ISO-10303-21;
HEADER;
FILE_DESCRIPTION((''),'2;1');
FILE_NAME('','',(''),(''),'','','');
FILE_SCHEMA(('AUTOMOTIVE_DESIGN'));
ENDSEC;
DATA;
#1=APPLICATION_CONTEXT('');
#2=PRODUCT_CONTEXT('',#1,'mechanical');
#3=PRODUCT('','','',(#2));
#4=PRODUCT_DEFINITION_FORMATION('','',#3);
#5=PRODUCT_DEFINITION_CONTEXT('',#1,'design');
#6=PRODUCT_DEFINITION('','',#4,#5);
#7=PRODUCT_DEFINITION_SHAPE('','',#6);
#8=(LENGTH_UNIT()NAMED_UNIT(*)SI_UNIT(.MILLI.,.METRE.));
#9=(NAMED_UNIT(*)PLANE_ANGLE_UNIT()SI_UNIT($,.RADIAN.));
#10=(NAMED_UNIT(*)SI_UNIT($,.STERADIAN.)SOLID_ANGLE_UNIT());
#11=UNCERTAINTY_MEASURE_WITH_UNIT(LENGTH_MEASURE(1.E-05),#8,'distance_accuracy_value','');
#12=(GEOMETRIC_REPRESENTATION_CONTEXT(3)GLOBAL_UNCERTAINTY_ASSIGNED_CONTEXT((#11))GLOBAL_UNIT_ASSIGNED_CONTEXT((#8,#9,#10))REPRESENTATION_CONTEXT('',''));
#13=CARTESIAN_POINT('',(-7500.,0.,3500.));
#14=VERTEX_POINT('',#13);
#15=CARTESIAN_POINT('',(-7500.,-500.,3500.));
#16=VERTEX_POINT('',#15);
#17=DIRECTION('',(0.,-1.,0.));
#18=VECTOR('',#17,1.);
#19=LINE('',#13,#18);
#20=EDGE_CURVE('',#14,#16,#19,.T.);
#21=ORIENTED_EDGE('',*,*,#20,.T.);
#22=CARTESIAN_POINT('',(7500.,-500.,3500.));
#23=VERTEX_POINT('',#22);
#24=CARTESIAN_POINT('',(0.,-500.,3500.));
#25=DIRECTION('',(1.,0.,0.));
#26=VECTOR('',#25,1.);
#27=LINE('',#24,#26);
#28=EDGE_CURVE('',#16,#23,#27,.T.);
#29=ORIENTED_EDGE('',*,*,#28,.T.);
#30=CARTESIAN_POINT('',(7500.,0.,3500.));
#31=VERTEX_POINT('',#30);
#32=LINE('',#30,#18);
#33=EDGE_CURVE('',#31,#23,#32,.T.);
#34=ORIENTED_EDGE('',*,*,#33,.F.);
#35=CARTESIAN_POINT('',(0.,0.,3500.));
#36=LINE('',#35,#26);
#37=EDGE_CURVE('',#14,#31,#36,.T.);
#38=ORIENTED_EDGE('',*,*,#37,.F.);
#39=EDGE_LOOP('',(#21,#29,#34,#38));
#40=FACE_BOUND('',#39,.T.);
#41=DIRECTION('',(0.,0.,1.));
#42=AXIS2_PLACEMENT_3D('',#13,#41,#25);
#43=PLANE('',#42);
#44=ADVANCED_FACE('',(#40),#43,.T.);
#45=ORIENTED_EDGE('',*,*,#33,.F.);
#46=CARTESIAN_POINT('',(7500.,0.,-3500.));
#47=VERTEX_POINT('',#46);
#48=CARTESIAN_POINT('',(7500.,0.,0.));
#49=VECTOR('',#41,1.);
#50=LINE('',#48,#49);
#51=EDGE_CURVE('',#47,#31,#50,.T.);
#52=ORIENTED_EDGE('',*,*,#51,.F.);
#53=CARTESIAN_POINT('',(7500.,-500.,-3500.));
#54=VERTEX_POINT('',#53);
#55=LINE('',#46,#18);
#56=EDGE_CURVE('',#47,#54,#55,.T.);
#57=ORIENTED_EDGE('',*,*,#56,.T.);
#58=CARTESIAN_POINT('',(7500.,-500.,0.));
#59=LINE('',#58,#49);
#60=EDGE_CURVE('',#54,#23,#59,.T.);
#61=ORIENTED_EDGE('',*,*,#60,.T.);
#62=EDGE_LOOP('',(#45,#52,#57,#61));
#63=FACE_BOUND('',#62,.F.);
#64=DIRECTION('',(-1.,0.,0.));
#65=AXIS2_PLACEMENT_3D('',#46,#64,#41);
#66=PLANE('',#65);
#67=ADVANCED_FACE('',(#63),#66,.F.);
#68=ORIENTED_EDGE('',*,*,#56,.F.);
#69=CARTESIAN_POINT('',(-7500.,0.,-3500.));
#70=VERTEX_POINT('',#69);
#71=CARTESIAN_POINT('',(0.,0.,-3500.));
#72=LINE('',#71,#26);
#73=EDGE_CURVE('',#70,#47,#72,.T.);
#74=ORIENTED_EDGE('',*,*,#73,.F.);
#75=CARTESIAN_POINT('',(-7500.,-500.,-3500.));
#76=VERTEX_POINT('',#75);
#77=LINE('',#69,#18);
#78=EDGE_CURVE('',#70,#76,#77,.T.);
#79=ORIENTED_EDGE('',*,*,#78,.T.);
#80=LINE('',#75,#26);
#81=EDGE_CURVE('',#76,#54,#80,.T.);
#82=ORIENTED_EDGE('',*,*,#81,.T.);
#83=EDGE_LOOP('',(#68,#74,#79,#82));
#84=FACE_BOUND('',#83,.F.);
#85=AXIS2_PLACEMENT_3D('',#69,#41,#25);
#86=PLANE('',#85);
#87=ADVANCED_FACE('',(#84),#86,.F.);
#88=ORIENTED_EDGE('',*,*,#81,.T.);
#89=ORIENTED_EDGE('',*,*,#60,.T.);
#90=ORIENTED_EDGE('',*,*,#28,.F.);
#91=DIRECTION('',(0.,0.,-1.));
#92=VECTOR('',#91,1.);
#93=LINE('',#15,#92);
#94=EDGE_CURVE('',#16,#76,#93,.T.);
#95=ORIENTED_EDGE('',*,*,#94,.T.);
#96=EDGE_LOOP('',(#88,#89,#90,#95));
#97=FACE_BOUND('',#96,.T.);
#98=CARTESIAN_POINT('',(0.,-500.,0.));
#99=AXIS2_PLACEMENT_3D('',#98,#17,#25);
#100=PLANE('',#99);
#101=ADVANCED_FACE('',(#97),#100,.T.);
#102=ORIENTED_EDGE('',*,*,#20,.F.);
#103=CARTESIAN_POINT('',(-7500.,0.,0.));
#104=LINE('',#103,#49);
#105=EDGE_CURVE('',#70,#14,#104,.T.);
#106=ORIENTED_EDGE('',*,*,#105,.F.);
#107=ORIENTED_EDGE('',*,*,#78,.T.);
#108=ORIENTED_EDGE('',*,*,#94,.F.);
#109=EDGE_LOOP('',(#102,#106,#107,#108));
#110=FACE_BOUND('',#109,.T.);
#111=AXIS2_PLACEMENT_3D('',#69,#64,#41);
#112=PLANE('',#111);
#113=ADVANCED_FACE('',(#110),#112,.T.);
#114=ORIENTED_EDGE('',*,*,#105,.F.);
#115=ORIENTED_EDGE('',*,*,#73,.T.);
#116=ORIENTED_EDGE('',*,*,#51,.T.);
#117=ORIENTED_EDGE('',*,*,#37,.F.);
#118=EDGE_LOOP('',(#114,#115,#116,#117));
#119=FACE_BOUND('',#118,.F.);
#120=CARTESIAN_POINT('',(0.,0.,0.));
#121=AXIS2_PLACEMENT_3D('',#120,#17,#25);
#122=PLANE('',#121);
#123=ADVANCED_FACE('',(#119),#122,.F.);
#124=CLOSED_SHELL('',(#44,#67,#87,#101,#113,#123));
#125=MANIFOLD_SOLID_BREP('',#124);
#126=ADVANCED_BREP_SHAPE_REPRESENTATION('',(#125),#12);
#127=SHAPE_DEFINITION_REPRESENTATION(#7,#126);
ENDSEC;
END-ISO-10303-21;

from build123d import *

# Parameters (mm, degrees)
F0_W     = 15000
F0_H     = 7000
F1_DEPTH = 500
F2_W     = 480
F2_H     = 20
F2_H_2   = 27.3
F2_W_2   = 10
F2_H_3   = 486.35
F2_H_4   = 482.7
F2_W_3   = 20
F3_DEPTH = 300


with BuildPart() as f1:
    # F0 (on Front) → F1 (new body)
    with BuildSketch(Plane.XZ):
        Rectangle(F0_W, F0_H)
    extrude(amount=F1_DEPTH)

    # F2 (on face) → F3 (join)
    with BuildSketch(Plane.XZ.offset(500)):
        with Locations((-7250, 3014.6)):
            Rectangle(F2_W, F2_H)
        with Locations((-7250, 2510.95)):
            Rectangle(F2_W, F2_H)
        with Locations((-7250, 2010.95)):
            Rectangle(F2_W, F2_H_2)
        with Locations((-7250, 1510.95)):
            Rectangle(F2_W, F2_H)
        with Locations((-7250, 1007.3)):
            Rectangle(F2_W, F2_H)
        with Locations((-7250, 503.65)):
            Rectangle(F2_W, F2_H)
        with Locations((-7250, 0)):
            Rectangle(F2_W, F2_H)
        with Locations((-7250, -496.35)):
            Rectangle(F2_W, F2_H)
        with Locations((-7250, -992.7)):
            Rectangle(F2_W, F2_H)
        with Locations((-7250, -1496.35)):
            Rectangle(F2_W, F2_H)
        with Locations((-7250, -2000)):
            Rectangle(F2_W, F2_H)
        with Locations((-7250, -2503.65)):
            Rectangle(F2_W, F2_H)
        with Locations((-7495, -2756.825)):
            Rectangle(F2_W_2, F2_H_3)
        with Locations((-7495, -3258.65)):
            Rectangle(F2_W_2, F2_H_4)
        with Locations((-7000, -3258.65)):
            Rectangle(F2_W_3, F2_H_4)
        with Locations((-7000, -2756.825)):
            Rectangle(F2_W_3, F2_H_3)
        with Locations((-6750, -2503.65)):
            Rectangle(F2_W, F2_H)
        with Locations((-6750, -2000)):
            Rectangle(F2_W, F2_H)
        with Locations((-6750, -1496.35)):
            Rectangle(F2_W, F2_H)
        with Locations((-6750, -992.7)):
            Rectangle(F2_W, F2_H)
        with Locations((-6750, -496.35)):
            Rectangle(F2_W, F2_H)
        with Locations((-6750, 0)):
            Rectangle(F2_W, F2_H)
        with Locations((-6750, 503.65)):
            Rectangle(F2_W, F2_H)
        with Locations((-6750, 1007.3)):
            Rectangle(F2_W, F2_H)
        with Locations((-6750, 1510.95)):
            Rectangle(F2_W, F2_H)
        with Locations((-6750, 2010.95)):
            Rectangle(F2_W, F2_H_2)
        with Locations((-6750, 2510.95)):
            Rectangle(F2_W, F2_H)
        with Locations((-6250, 3014.6)):
            Rectangle(F2_W, F2_H)
        with Locations((-6250, 2510.95)):
            Rectangle(F2_W, F2_H)
        with Locations((-6250, 2010.95)):
            Rectangle(F2_W, F2_H_2)
        with Locations((-6250, 1510.95)):
            Rectangle(F2_W, F2_H)
        with Locations((-6250, 1007.3)):
            Rectangle(F2_W, F2_H)
        with Locations((-6250, 503.65)):
            Rectangle(F2_W, F2_H)
        with Locations((-6250, 0)):
            Rectangle(F2_W, F2_H)
        with Locations((-6250, -496.35)):
            Rectangle(F2_W, F2_H)
        with Locations((-250, -496.35)):
            Rectangle(F2_W, F2_H)
        with Locations((250, -496.35)):
            Rectangle(F2_W, F2_H)
        with Locations((250, 0)):
            Rectangle(F2_W, F2_H)
        with Locations((-250, 0)):
            Rectangle(F2_W, F2_H)
        with Locations((-6250, -992.7)):
            Rectangle(F2_W, F2_H)
        with Locations((-6250, -1496.35)):
            Rectangle(F2_W, F2_H)
        with Locations((-6250, -2000)):
            Rectangle(F2_W, F2_H)
        with Locations((-6250, -2503.65)):
            Rectangle(F2_W, F2_H)
        with Locations((-6500, -2756.825)):
            Rectangle(F2_W_3, F2_H_3)
        with Locations((-6500, -3258.65)):
            Rectangle(F2_W_3, F2_H_4)
        with Locations((-6000, -3258.65)):
            Rectangle(F2_W_3, F2_H_4)
        with Locations((-6000, -2756.825)):
            Rectangle(F2_W_3, F2_H_3)
        with Locations((-5750, -2503.65)):
            Rectangle(F2_W, F2_H)
        with Locations((-5750, -2000)):
            Rectangle(F2_W, F2_H)
        with Locations((-5750, -1496.35)):
            Rectangle(F2_W, F2_H)
        with Locations((-5750, -992.7)):
            Rectangle(F2_W, F2_H)
        with Locations((-5750, -496.35)):
            Rectangle(F2_W, F2_H)
        with Locations((-5750, 0)):
            Rectangle(F2_W, F2_H)
        with Locations((-5750, 503.65)):
            Rectangle(F2_W, F2_H)
        with Locations((-5750, 1007.3)):
            Rectangle(F2_W, F2_H)
        with Locations((-5750, 1510.95)):
            Rectangle(F2_W, F2_H)
        with Locations((-5750, 2010.95)):
            Rectangle(F2_W, F2_H_2)
        with Locations((-5750, 2510.95)):
            Rectangle(F2_W, F2_H)
        with Locations((-5750, 3014.6)):
            Rectangle(F2_W, F2_H)
        with Locations((-6750, 3014.6)):
            Rectangle(F2_W, F2_H)
        with Locations((-5250, 3014.6)):
            Rectangle(F2_W, F2_H)
        with Locations((-5250, 2510.95)):
            Rectangle(F2_W, F2_H)
        with Locations((-5250, 2010.95)):
            Rectangle(F2_W, F2_H_2)
        with Locations((-5250, 1510.95)):
            Rectangle(F2_W, F2_H)
        with Locations((-5250, 1007.3)):
            Rectangle(F2_W, F2_H)
        with Locations((-5250, 503.65)):
            Rectangle(F2_W, F2_H)
        with Locations((-5250, 0)):
            Rectangle(F2_W, F2_H)
        with Locations((-5250, -496.35)):
            Rectangle(F2_W, F2_H)
        with Locations((-5250, -992.7)):
            Rectangle(F2_W, F2_H)
        with Locations((-5250, -1496.35)):
            Rectangle(F2_W, F2_H)
        with Locations((-5250, -2000)):
            Rectangle(F2_W, F2_H)
        with Locations((-5250, -2503.65)):
            Rectangle(F2_W, F2_H)
        with Locations((-5500, -2756.825)):
            Rectangle(F2_W_3, F2_H_3)
        with Locations((-5500, -3258.65)):
            Rectangle(F2_W_3, F2_H_4)
        with Locations((-5000, -3258.65)):
            Rectangle(F2_W_3, F2_H_4)
        with Locations((-5000, -2756.825)):
            Rectangle(F2_W_3, F2_H_3)
        with Locations((-4750, -2503.65)):
            Rectangle(F2_W, F2_H)
        with Locations((-4750, -2000)):
            Rectangle(F2_W, F2_H)
        with Locations((-4750, -1496.35)):
            Rectangle(F2_W, F2_H)
        with Locations((-4750, -992.7)):
            Rectangle(F2_W, F2_H)
        with Locations((-4750, -496.35)):
            Rectangle(F2_W, F2_H)
        with Locations((-4750, 0)):
            Rectangle(F2_W, F2_H)
        with Locations((-4750, 503.65)):
            Rectangle(F2_W, F2_H)
        with Locations((-4750, 1007.3)):
            Rectangle(F2_W, F2_H)
        with Locations((-4750, 1510.95)):
            Rectangle(F2_W, F2_H)
        with Locations((-4750, 2010.95)):
            Rectangle(F2_W, F2_H_2)
        with Locations((-4750, 2510.95)):
            Rectangle(F2_W, F2_H)
        with Locations((-4750, 3014.6)):
            Rectangle(F2_W, F2_H)
        with Locations((-4250, 3014.6)):
            Rectangle(F2_W, F2_H)
        with Locations((-4250, 2510.95)):
            Rectangle(F2_W, F2_H)
        with Locations((-4250, 2010.95)):
            Rectangle(F2_W, F2_H_2)
        with Locations((-4250, 1510.95)):
            Rectangle(F2_W, F2_H)
        with Locations((-4250, 503.65)):
            Rectangle(F2_W, F2_H)
        with Locations((-4250, 0)):
            Rectangle(F2_W, F2_H)
        with Locations((-4250, -496.35)):
            Rectangle(F2_W, F2_H)
        with Locations((-4250, -992.7)):
            Rectangle(F2_W, F2_H)
        with Locations((-4250, -1496.35)):
            Rectangle(F2_W, F2_H)
        with Locations((-4250, -2000)):
            Rectangle(F2_W, F2_H)
        with Locations((-4250, -2503.65)):
            Rectangle(F2_W, F2_H)
        with Locations((-4500, -2756.825)):
            Rectangle(F2_W_3, F2_H_3)
        with Locations((-4250, 1007.3)):
            Rectangle(F2_W, F2_H)
        with Locations((-3750, 1007.3)):
            Rectangle(F2_W, F2_H)
        with Locations((-3750, 503.65)):
            Rectangle(F2_W, F2_H)
        with Locations((-3750, 0)):
            Rectangle(F2_W, F2_H)
        with Locations((-3750, -496.35)):
            Rectangle(F2_W, F2_H)
        with Locations((-3750, -992.7)):
            Rectangle(F2_W, F2_H)
        with Locations((-3750, -1496.35)):
            Rectangle(F2_W, F2_H)
        with Locations((-3750, -2000)):
            Rectangle(F2_W, F2_H)
        with Locations((-3750, -2503.65)):
            Rectangle(F2_W, F2_H)
        with Locations((-4000, -2756.825)):
            Rectangle(F2_W_3, F2_H_3)
        with Locations((-4000, -3258.65)):
            Rectangle(F2_W_3, F2_H_4)
        with Locations((-3500, -3258.65)):
            Rectangle(F2_W_3, F2_H_4)
        with Locations((-3500, -2756.825)):
            Rectangle(F2_W_3, F2_H_3)
        with Locations((-3250, -2000)):
            Rectangle(F2_W, F2_H)
        with Locations((-3250, -992.7)):
            Rectangle(F2_W, F2_H)
        with Locations((-3250, -496.35)):
            Rectangle(F2_W, F2_H)
        with Locations((-3250, 0)):
            Rectangle(F2_W, F2_H)
        with Locations((-3250, 503.65)):
            Rectangle(F2_W, F2_H)
        with Locations((-3250, 1007.3)):
            Rectangle(F2_W, F2_H)
        with Locations((-3250, 1510.95)):
            Rectangle(F2_W, F2_H)
        with Locations((-3750, 2010.95)):
            Rectangle(F2_W, F2_H_2)
        with Locations((-3250, 2010.95)):
            Rectangle(F2_W, F2_H_2)
        with Locations((-3250, 2510.95)):
            Rectangle(F2_W, F2_H)
        with Locations((-3750, 3014.6)):
            Rectangle(F2_W, F2_H)
        with Locations((-3250, 3014.6)):
            Rectangle(F2_W, F2_H)
        with Locations((-3250, -2503.65)):
            Rectangle(F2_W, F2_H)
        with Locations((-3250, -1496.35)):
            Rectangle(F2_W, F2_H)
        with Locations((-3000, -3258.65)):
            Rectangle(F2_W_3, F2_H_4)
        with Locations((-3000, -2756.825)):
            Rectangle(F2_W_3, F2_H_3)
        with Locations((-2750, -2503.65)):
            Rectangle(F2_W, F2_H)
        with Locations((-2750, -2000)):
            Rectangle(F2_W, F2_H)
        with Locations((-2750, -1496.35)):
            Rectangle(F2_W, F2_H)
        with Locations((-2750, -496.35)):
            Rectangle(F2_W, F2_H)
        with Locations((-2750, 0)):
            Rectangle(F2_W, F2_H)
        with Locations((-2750, 503.65)):
            Rectangle(F2_W, F2_H)
        with Locations((-2750, 1007.3)):
            Rectangle(F2_W, F2_H)
        with Locations((-2750, 1510.95)):
            Rectangle(F2_W, F2_H)
        with Locations((-2750, 2010.95)):
            Rectangle(F2_W, F2_H_2)
        with Locations((-2750, 2510.95)):
            Rectangle(F2_W, F2_H)
        with Locations((-2750, 3014.6)):
            Rectangle(F2_W, F2_H)
        with Locations((-2750, -992.7)):
            Rectangle(F2_W, F2_H)
        with Locations((-2250, -992.7)):
            Rectangle(F2_W, F2_H)
        with Locations((-2250, -1496.35)):
            Rectangle(F2_W, F2_H)
        with Locations((-2250, -2000)):
            Rectangle(F2_W, F2_H)
        with Locations((-2250, -2503.65)):
            Rectangle(F2_W, F2_H)
        with Locations((-2500, -2756.825)):
            Rectangle(F2_W_3, F2_H_3)
        with Locations((-2500, -3258.65)):
            Rectangle(F2_W_3, F2_H_4)
        with Locations((-2000, -3258.65)):
            Rectangle(F2_W_3, F2_H_4)
        with Locations((-2000, -2756.825)):
            Rectangle(F2_W_3, F2_H_3)
        with Locations((-1750, -2503.65)):
            Rectangle(F2_W, F2_H)
        with Locations((-1750, -2000)):
            Rectangle(F2_W, F2_H)
        with Locations((-1750, -1496.35)):
            Rectangle(F2_W, F2_H)
        with Locations((-1750, -992.7)):
            Rectangle(F2_W, F2_H)
        with Locations((-1750, -496.35)):
            Rectangle(F2_W, F2_H)
        with Locations((-2250, -496.35)):
            Rectangle(F2_W, F2_H)
        with Locations((-1750, 0)):
            Rectangle(F2_W, F2_H)
        with Locations((-1750, 503.65)):
            Rectangle(F2_W, F2_H)
        with Locations((-2250, 503.65)):
            Rectangle(F2_W, F2_H)
        with Locations((-2250, 0)):
            Rectangle(F2_W, F2_H)
        with Locations((-2250, 1007.3)):
            Rectangle(F2_W, F2_H)
        with Locations((-1750, 1510.95)):
            Rectangle(F2_W, F2_H)
        with Locations((-2250, 1510.95)):
            Rectangle(F2_W, F2_H)
        with Locations((-2250, 2010.95)):
            Rectangle(F2_W, F2_H_2)
        with Locations((-1750, 2010.95)):
            Rectangle(F2_W, F2_H_2)
        with Locations((-2250, 2510.95)):
            Rectangle(F2_W, F2_H)
        with Locations((-2250, 3014.6)):
            Rectangle(F2_W, F2_H)
        with Locations((-1750, 3014.6)):
            Rectangle(F2_W, F2_H)
    extrude(amount=-F3_DEPTH)


solid = f1.part
